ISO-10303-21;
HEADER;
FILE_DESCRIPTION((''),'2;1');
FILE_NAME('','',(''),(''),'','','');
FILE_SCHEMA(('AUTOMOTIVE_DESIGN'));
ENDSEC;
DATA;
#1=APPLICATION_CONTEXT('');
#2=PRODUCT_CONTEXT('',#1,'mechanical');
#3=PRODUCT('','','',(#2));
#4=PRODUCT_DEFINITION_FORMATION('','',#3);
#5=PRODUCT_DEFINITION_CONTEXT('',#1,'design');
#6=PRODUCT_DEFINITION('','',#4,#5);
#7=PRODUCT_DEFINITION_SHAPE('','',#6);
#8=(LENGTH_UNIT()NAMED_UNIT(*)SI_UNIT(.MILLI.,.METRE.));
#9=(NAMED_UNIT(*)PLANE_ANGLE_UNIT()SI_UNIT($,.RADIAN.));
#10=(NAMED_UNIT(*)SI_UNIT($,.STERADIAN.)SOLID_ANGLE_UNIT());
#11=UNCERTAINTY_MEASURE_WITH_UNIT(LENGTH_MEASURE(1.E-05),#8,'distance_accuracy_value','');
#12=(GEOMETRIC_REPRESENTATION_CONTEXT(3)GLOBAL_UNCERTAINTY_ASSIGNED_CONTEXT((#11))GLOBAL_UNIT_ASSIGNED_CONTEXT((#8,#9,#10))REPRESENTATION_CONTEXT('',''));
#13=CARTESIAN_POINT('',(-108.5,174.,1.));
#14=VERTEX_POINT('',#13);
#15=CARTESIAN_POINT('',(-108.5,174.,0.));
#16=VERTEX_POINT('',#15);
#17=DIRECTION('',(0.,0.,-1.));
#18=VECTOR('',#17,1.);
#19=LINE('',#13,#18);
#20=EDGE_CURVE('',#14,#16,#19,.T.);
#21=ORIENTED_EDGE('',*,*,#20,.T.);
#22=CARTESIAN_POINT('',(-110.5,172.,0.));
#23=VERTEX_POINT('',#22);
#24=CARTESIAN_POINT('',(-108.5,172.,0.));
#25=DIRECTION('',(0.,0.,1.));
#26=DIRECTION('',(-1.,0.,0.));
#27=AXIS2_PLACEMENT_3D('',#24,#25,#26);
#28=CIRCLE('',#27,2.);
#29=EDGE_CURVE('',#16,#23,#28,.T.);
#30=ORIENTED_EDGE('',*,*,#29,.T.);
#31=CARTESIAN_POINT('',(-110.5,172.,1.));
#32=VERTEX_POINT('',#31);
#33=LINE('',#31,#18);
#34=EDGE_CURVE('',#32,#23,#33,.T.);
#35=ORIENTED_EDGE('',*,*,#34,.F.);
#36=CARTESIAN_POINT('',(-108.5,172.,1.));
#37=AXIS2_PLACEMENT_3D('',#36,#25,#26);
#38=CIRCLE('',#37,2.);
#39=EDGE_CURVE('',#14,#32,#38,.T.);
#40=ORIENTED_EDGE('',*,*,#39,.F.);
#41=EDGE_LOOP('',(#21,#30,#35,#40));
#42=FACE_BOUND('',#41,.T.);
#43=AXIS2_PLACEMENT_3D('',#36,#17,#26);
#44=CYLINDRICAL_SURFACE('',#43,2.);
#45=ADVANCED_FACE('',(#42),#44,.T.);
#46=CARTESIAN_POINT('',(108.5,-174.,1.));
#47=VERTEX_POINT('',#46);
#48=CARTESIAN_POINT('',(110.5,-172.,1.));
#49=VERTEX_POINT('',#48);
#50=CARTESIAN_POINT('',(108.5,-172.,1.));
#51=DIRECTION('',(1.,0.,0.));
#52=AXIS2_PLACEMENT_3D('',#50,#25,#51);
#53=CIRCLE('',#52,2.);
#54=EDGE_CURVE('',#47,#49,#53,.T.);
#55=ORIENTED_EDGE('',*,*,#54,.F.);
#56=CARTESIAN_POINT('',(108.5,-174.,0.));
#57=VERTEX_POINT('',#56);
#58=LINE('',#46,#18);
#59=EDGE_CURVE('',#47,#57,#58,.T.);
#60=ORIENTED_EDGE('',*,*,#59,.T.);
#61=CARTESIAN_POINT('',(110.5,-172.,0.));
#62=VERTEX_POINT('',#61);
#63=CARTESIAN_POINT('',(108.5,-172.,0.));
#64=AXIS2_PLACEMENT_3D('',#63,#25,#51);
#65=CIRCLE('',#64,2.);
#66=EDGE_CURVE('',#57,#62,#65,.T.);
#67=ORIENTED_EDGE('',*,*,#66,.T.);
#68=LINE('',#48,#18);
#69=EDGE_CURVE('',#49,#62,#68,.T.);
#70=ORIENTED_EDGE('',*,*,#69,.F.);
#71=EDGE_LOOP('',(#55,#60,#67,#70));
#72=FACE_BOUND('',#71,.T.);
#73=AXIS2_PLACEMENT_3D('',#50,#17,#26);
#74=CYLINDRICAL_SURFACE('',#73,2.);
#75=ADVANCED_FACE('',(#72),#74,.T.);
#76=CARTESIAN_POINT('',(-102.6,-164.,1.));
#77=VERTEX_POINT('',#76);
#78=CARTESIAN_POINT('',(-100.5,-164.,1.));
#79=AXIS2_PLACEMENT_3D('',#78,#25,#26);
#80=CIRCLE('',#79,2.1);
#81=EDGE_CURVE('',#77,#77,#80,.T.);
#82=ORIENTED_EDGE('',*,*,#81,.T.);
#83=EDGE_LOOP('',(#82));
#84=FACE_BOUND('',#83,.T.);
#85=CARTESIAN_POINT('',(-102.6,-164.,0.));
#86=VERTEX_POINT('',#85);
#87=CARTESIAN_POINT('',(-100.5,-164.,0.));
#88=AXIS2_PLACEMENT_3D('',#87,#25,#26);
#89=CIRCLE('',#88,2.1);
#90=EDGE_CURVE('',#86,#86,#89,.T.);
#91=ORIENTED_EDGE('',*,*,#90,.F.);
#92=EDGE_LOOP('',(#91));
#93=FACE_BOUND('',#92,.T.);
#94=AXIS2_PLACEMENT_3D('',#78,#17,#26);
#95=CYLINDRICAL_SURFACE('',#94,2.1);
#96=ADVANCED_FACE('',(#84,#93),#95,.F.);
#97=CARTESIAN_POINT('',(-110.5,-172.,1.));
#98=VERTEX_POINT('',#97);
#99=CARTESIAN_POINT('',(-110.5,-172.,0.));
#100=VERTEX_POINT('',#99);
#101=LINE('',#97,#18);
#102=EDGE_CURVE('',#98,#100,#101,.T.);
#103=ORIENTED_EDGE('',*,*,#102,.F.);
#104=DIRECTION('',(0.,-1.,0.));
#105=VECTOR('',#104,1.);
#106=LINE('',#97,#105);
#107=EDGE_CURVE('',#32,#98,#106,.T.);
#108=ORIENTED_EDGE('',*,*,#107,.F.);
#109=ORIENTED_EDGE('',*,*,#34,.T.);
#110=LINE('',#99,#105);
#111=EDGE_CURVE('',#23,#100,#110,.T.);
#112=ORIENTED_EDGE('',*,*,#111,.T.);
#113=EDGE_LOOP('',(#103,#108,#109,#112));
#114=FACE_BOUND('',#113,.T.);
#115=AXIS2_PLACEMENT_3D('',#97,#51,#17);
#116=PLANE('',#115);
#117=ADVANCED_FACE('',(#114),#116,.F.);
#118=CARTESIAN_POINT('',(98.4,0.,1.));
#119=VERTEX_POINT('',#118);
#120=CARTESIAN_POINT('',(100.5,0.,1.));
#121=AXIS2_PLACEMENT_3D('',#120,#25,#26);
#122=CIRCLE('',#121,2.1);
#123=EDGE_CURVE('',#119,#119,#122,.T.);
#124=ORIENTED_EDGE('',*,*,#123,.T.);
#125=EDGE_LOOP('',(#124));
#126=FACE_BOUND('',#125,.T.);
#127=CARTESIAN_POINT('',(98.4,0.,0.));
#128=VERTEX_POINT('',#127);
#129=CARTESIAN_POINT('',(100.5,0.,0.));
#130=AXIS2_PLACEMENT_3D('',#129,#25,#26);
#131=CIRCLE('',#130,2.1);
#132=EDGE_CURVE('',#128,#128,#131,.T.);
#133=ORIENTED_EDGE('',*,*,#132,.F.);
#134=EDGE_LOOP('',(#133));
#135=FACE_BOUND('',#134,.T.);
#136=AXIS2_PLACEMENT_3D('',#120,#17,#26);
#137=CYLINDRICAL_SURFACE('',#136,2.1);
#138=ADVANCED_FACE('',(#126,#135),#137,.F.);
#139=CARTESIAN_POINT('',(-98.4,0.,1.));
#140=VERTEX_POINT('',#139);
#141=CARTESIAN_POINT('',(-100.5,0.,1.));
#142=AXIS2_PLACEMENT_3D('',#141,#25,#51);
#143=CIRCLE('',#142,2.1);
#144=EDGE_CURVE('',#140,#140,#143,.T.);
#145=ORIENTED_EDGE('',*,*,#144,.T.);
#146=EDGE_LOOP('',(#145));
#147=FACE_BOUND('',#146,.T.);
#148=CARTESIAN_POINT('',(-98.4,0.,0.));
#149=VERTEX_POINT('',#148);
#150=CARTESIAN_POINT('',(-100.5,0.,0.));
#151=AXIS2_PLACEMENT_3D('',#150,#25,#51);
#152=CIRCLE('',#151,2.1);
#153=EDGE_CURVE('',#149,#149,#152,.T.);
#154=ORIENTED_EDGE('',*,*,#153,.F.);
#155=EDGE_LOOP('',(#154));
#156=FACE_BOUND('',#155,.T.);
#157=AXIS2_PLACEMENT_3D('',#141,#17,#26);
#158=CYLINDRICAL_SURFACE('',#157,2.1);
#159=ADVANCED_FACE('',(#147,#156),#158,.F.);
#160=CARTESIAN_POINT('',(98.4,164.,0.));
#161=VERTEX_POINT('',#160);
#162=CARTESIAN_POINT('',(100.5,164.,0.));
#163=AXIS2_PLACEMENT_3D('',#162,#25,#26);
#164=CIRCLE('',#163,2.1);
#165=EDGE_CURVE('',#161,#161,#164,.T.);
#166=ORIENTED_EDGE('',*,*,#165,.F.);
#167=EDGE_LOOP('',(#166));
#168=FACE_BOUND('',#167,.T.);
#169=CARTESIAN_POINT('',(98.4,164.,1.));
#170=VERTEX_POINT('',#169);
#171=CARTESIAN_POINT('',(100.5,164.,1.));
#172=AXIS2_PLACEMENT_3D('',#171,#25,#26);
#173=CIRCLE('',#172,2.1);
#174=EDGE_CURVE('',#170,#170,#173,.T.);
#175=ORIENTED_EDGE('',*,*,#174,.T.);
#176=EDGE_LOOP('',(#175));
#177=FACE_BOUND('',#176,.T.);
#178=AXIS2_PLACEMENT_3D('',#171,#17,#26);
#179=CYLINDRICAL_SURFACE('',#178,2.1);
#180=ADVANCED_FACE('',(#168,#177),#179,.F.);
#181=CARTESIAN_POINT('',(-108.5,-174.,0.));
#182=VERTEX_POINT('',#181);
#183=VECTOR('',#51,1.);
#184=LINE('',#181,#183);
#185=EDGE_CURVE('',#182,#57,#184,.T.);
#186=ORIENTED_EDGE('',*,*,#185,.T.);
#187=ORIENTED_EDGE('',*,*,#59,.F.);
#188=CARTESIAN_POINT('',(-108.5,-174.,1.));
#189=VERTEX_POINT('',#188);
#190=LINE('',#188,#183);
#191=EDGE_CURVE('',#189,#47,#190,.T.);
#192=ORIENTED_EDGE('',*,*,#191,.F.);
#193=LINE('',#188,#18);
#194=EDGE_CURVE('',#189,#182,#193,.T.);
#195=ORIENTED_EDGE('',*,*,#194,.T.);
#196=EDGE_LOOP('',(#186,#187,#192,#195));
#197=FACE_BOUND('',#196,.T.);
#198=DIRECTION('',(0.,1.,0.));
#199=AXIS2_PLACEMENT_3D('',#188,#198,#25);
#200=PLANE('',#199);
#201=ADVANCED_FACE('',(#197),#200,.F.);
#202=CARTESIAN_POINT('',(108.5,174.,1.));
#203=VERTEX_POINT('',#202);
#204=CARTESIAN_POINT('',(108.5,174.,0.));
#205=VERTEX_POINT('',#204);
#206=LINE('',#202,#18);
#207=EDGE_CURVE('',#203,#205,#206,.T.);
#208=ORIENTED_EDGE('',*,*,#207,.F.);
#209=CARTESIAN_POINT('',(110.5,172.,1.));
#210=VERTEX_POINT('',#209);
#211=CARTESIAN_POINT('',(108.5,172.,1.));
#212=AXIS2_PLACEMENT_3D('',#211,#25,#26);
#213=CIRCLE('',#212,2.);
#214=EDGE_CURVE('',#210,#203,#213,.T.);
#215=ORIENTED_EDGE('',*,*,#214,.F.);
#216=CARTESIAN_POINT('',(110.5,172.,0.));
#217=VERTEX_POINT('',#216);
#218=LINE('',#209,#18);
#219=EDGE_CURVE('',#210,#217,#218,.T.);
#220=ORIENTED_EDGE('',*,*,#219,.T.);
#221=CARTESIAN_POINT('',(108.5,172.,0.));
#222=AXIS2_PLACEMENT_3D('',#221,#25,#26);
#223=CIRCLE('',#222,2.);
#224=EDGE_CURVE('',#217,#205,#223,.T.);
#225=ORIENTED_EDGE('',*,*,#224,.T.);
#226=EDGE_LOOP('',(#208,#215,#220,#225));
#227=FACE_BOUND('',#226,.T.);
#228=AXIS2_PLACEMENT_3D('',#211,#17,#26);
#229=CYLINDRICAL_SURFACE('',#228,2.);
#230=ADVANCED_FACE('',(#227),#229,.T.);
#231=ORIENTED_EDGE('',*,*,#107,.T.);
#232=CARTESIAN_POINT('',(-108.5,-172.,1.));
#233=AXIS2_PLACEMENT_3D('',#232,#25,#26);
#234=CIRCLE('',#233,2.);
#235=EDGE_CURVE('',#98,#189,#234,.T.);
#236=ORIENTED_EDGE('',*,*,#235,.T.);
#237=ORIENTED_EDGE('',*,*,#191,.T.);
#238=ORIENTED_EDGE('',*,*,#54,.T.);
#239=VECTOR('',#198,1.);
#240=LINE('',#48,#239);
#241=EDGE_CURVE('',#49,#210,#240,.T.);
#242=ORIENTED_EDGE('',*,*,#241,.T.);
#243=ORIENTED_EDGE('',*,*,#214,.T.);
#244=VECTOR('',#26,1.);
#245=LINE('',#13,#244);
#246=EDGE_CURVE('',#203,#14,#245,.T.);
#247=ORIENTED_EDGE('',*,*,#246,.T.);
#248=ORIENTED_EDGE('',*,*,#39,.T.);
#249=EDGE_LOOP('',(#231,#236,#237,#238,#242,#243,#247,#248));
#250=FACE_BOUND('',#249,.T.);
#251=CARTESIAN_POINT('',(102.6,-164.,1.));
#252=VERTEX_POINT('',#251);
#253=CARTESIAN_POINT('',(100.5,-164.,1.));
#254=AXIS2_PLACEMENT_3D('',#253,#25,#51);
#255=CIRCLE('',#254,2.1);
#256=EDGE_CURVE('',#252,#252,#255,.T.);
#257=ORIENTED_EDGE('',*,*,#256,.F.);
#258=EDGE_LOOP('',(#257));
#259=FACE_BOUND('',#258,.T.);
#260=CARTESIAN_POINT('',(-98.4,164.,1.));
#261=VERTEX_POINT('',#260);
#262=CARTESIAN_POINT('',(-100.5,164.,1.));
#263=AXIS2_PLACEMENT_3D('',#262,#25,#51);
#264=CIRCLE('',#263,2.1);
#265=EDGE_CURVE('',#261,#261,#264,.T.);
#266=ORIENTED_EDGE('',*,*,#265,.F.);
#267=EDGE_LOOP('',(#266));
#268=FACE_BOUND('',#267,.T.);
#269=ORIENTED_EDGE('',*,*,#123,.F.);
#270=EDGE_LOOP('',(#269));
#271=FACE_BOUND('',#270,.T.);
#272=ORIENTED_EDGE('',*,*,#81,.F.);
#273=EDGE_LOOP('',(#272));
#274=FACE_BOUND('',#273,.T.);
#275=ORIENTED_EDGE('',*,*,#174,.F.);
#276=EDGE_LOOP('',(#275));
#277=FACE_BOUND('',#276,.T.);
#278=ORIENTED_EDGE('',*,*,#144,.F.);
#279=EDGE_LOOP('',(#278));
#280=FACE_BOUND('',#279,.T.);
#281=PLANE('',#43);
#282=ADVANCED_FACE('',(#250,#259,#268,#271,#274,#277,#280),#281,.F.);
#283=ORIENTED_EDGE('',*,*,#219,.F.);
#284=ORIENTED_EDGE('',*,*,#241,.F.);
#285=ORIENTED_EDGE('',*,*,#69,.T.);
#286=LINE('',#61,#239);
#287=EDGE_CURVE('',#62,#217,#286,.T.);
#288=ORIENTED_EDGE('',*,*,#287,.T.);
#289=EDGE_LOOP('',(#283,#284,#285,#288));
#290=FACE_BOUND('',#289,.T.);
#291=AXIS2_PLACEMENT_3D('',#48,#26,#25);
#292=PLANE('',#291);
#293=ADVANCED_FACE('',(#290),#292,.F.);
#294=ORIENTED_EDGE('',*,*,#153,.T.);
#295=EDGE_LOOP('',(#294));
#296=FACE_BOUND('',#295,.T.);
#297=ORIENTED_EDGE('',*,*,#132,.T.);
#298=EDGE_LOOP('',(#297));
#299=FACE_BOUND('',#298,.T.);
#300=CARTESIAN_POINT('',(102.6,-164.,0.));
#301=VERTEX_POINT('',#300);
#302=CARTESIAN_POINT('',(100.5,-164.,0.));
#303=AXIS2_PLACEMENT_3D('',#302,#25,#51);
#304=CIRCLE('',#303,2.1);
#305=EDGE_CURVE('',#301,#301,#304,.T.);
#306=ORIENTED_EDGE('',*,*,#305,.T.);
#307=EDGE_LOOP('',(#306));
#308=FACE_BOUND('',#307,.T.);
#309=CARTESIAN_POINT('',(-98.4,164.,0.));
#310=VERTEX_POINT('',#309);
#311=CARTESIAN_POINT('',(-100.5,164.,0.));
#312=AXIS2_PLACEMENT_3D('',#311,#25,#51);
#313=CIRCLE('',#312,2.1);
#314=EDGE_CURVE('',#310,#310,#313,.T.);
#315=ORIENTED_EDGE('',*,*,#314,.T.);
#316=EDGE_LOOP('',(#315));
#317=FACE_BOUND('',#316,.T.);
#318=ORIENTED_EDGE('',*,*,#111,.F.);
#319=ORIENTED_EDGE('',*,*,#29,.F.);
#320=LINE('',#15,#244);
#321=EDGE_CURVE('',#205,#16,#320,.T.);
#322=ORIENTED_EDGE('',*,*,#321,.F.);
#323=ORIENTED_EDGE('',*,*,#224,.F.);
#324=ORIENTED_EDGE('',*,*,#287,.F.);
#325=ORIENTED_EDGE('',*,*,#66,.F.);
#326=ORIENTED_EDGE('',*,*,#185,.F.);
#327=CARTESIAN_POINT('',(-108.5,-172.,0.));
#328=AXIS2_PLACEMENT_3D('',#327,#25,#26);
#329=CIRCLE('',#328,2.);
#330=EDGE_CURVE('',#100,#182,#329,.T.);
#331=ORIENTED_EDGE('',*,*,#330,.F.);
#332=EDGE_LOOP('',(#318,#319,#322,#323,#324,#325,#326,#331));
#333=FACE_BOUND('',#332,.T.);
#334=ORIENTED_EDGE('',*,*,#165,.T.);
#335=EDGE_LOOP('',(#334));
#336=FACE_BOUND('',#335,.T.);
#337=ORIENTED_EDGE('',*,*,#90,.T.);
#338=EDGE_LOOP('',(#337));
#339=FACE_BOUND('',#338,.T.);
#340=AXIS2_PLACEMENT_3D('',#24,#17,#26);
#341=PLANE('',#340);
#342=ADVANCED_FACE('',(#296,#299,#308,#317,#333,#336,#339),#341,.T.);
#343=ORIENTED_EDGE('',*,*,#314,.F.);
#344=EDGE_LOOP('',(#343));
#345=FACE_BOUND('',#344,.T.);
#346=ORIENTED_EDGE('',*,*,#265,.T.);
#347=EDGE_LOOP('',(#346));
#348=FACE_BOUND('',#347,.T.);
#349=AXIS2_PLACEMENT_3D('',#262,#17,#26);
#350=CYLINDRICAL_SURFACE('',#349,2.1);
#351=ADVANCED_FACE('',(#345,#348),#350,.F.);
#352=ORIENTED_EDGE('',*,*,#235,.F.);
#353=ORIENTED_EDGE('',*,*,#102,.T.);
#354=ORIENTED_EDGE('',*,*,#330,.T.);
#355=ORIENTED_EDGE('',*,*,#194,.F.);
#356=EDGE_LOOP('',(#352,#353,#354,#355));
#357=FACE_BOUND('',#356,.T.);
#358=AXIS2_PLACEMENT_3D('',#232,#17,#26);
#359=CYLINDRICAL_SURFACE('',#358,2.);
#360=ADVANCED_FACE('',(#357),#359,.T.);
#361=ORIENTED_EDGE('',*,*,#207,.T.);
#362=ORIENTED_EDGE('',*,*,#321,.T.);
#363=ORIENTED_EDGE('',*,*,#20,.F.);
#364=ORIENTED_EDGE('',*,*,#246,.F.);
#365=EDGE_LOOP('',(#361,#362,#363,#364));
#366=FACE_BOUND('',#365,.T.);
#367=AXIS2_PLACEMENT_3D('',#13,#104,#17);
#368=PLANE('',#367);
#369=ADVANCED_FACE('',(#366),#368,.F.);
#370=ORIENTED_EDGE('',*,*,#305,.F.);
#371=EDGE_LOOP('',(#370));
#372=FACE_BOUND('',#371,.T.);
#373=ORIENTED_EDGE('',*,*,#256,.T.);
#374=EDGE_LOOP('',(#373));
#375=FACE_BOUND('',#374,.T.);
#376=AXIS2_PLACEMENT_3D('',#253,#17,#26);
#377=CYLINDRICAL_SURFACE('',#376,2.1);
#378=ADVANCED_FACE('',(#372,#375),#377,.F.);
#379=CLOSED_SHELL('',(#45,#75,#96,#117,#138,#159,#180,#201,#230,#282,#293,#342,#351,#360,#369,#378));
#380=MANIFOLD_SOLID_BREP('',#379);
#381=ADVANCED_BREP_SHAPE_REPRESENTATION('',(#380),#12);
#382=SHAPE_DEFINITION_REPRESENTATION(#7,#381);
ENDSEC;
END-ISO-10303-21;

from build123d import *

# Parameters (mm, degrees)
SKETCH_1_R      = 2.1
EXTRUDE_1_DEPTH = 1


with BuildPart() as part:
    # Эскиз1 → Вытянуть1 (new body)
    with BuildSketch(Plane.XY):
        with BuildLine():
            Line((-108.5, -174), (108.5, -174))
            ThreePointArc((108.5, -174), (109.914213562, -173.414213562), (110.5, -172))
            Line((110.5, -172), (110.5, 172))
            ThreePointArc((110.5, 172), (109.914213562, 173.414213562), (108.5, 174))
            Line((108.5, 174), (-108.5, 174))
            ThreePointArc((-108.5, 174), (-109.914213562, 173.414213562), (-110.5, 172))
            Line((-110.5, 172), (-110.5, -172))
            ThreePointArc((-110.5, -172), (-109.914213562, -173.414213562), (-108.5, -174))
        make_face()
        with Locations((-100.5, 164)):
            Circle(SKETCH_1_R, mode=Mode.SUBTRACT)
        with Locations((-100.5, 0)):
            Circle(SKETCH_1_R, mode=Mode.SUBTRACT)
        with Locations(Location((-100.5, -164, 0), (0, 0, 180))):
            Circle(SKETCH_1_R, mode=Mode.SUBTRACT)
        with Locations((100.5, -164)):
            Circle(SKETCH_1_R, mode=Mode.SUBTRACT)
        with Locations(Location((100.5, 0, 0), (0, 0, 180))):
            Circle(SKETCH_1_R, mode=Mode.SUBTRACT)
        with Locations(Location((100.5, 164, 0), (0, 0, 180))):
            Circle(SKETCH_1_R, mode=Mode.SUBTRACT)
    extrude(amount=EXTRUDE_1_DEPTH)


solid = part.part
